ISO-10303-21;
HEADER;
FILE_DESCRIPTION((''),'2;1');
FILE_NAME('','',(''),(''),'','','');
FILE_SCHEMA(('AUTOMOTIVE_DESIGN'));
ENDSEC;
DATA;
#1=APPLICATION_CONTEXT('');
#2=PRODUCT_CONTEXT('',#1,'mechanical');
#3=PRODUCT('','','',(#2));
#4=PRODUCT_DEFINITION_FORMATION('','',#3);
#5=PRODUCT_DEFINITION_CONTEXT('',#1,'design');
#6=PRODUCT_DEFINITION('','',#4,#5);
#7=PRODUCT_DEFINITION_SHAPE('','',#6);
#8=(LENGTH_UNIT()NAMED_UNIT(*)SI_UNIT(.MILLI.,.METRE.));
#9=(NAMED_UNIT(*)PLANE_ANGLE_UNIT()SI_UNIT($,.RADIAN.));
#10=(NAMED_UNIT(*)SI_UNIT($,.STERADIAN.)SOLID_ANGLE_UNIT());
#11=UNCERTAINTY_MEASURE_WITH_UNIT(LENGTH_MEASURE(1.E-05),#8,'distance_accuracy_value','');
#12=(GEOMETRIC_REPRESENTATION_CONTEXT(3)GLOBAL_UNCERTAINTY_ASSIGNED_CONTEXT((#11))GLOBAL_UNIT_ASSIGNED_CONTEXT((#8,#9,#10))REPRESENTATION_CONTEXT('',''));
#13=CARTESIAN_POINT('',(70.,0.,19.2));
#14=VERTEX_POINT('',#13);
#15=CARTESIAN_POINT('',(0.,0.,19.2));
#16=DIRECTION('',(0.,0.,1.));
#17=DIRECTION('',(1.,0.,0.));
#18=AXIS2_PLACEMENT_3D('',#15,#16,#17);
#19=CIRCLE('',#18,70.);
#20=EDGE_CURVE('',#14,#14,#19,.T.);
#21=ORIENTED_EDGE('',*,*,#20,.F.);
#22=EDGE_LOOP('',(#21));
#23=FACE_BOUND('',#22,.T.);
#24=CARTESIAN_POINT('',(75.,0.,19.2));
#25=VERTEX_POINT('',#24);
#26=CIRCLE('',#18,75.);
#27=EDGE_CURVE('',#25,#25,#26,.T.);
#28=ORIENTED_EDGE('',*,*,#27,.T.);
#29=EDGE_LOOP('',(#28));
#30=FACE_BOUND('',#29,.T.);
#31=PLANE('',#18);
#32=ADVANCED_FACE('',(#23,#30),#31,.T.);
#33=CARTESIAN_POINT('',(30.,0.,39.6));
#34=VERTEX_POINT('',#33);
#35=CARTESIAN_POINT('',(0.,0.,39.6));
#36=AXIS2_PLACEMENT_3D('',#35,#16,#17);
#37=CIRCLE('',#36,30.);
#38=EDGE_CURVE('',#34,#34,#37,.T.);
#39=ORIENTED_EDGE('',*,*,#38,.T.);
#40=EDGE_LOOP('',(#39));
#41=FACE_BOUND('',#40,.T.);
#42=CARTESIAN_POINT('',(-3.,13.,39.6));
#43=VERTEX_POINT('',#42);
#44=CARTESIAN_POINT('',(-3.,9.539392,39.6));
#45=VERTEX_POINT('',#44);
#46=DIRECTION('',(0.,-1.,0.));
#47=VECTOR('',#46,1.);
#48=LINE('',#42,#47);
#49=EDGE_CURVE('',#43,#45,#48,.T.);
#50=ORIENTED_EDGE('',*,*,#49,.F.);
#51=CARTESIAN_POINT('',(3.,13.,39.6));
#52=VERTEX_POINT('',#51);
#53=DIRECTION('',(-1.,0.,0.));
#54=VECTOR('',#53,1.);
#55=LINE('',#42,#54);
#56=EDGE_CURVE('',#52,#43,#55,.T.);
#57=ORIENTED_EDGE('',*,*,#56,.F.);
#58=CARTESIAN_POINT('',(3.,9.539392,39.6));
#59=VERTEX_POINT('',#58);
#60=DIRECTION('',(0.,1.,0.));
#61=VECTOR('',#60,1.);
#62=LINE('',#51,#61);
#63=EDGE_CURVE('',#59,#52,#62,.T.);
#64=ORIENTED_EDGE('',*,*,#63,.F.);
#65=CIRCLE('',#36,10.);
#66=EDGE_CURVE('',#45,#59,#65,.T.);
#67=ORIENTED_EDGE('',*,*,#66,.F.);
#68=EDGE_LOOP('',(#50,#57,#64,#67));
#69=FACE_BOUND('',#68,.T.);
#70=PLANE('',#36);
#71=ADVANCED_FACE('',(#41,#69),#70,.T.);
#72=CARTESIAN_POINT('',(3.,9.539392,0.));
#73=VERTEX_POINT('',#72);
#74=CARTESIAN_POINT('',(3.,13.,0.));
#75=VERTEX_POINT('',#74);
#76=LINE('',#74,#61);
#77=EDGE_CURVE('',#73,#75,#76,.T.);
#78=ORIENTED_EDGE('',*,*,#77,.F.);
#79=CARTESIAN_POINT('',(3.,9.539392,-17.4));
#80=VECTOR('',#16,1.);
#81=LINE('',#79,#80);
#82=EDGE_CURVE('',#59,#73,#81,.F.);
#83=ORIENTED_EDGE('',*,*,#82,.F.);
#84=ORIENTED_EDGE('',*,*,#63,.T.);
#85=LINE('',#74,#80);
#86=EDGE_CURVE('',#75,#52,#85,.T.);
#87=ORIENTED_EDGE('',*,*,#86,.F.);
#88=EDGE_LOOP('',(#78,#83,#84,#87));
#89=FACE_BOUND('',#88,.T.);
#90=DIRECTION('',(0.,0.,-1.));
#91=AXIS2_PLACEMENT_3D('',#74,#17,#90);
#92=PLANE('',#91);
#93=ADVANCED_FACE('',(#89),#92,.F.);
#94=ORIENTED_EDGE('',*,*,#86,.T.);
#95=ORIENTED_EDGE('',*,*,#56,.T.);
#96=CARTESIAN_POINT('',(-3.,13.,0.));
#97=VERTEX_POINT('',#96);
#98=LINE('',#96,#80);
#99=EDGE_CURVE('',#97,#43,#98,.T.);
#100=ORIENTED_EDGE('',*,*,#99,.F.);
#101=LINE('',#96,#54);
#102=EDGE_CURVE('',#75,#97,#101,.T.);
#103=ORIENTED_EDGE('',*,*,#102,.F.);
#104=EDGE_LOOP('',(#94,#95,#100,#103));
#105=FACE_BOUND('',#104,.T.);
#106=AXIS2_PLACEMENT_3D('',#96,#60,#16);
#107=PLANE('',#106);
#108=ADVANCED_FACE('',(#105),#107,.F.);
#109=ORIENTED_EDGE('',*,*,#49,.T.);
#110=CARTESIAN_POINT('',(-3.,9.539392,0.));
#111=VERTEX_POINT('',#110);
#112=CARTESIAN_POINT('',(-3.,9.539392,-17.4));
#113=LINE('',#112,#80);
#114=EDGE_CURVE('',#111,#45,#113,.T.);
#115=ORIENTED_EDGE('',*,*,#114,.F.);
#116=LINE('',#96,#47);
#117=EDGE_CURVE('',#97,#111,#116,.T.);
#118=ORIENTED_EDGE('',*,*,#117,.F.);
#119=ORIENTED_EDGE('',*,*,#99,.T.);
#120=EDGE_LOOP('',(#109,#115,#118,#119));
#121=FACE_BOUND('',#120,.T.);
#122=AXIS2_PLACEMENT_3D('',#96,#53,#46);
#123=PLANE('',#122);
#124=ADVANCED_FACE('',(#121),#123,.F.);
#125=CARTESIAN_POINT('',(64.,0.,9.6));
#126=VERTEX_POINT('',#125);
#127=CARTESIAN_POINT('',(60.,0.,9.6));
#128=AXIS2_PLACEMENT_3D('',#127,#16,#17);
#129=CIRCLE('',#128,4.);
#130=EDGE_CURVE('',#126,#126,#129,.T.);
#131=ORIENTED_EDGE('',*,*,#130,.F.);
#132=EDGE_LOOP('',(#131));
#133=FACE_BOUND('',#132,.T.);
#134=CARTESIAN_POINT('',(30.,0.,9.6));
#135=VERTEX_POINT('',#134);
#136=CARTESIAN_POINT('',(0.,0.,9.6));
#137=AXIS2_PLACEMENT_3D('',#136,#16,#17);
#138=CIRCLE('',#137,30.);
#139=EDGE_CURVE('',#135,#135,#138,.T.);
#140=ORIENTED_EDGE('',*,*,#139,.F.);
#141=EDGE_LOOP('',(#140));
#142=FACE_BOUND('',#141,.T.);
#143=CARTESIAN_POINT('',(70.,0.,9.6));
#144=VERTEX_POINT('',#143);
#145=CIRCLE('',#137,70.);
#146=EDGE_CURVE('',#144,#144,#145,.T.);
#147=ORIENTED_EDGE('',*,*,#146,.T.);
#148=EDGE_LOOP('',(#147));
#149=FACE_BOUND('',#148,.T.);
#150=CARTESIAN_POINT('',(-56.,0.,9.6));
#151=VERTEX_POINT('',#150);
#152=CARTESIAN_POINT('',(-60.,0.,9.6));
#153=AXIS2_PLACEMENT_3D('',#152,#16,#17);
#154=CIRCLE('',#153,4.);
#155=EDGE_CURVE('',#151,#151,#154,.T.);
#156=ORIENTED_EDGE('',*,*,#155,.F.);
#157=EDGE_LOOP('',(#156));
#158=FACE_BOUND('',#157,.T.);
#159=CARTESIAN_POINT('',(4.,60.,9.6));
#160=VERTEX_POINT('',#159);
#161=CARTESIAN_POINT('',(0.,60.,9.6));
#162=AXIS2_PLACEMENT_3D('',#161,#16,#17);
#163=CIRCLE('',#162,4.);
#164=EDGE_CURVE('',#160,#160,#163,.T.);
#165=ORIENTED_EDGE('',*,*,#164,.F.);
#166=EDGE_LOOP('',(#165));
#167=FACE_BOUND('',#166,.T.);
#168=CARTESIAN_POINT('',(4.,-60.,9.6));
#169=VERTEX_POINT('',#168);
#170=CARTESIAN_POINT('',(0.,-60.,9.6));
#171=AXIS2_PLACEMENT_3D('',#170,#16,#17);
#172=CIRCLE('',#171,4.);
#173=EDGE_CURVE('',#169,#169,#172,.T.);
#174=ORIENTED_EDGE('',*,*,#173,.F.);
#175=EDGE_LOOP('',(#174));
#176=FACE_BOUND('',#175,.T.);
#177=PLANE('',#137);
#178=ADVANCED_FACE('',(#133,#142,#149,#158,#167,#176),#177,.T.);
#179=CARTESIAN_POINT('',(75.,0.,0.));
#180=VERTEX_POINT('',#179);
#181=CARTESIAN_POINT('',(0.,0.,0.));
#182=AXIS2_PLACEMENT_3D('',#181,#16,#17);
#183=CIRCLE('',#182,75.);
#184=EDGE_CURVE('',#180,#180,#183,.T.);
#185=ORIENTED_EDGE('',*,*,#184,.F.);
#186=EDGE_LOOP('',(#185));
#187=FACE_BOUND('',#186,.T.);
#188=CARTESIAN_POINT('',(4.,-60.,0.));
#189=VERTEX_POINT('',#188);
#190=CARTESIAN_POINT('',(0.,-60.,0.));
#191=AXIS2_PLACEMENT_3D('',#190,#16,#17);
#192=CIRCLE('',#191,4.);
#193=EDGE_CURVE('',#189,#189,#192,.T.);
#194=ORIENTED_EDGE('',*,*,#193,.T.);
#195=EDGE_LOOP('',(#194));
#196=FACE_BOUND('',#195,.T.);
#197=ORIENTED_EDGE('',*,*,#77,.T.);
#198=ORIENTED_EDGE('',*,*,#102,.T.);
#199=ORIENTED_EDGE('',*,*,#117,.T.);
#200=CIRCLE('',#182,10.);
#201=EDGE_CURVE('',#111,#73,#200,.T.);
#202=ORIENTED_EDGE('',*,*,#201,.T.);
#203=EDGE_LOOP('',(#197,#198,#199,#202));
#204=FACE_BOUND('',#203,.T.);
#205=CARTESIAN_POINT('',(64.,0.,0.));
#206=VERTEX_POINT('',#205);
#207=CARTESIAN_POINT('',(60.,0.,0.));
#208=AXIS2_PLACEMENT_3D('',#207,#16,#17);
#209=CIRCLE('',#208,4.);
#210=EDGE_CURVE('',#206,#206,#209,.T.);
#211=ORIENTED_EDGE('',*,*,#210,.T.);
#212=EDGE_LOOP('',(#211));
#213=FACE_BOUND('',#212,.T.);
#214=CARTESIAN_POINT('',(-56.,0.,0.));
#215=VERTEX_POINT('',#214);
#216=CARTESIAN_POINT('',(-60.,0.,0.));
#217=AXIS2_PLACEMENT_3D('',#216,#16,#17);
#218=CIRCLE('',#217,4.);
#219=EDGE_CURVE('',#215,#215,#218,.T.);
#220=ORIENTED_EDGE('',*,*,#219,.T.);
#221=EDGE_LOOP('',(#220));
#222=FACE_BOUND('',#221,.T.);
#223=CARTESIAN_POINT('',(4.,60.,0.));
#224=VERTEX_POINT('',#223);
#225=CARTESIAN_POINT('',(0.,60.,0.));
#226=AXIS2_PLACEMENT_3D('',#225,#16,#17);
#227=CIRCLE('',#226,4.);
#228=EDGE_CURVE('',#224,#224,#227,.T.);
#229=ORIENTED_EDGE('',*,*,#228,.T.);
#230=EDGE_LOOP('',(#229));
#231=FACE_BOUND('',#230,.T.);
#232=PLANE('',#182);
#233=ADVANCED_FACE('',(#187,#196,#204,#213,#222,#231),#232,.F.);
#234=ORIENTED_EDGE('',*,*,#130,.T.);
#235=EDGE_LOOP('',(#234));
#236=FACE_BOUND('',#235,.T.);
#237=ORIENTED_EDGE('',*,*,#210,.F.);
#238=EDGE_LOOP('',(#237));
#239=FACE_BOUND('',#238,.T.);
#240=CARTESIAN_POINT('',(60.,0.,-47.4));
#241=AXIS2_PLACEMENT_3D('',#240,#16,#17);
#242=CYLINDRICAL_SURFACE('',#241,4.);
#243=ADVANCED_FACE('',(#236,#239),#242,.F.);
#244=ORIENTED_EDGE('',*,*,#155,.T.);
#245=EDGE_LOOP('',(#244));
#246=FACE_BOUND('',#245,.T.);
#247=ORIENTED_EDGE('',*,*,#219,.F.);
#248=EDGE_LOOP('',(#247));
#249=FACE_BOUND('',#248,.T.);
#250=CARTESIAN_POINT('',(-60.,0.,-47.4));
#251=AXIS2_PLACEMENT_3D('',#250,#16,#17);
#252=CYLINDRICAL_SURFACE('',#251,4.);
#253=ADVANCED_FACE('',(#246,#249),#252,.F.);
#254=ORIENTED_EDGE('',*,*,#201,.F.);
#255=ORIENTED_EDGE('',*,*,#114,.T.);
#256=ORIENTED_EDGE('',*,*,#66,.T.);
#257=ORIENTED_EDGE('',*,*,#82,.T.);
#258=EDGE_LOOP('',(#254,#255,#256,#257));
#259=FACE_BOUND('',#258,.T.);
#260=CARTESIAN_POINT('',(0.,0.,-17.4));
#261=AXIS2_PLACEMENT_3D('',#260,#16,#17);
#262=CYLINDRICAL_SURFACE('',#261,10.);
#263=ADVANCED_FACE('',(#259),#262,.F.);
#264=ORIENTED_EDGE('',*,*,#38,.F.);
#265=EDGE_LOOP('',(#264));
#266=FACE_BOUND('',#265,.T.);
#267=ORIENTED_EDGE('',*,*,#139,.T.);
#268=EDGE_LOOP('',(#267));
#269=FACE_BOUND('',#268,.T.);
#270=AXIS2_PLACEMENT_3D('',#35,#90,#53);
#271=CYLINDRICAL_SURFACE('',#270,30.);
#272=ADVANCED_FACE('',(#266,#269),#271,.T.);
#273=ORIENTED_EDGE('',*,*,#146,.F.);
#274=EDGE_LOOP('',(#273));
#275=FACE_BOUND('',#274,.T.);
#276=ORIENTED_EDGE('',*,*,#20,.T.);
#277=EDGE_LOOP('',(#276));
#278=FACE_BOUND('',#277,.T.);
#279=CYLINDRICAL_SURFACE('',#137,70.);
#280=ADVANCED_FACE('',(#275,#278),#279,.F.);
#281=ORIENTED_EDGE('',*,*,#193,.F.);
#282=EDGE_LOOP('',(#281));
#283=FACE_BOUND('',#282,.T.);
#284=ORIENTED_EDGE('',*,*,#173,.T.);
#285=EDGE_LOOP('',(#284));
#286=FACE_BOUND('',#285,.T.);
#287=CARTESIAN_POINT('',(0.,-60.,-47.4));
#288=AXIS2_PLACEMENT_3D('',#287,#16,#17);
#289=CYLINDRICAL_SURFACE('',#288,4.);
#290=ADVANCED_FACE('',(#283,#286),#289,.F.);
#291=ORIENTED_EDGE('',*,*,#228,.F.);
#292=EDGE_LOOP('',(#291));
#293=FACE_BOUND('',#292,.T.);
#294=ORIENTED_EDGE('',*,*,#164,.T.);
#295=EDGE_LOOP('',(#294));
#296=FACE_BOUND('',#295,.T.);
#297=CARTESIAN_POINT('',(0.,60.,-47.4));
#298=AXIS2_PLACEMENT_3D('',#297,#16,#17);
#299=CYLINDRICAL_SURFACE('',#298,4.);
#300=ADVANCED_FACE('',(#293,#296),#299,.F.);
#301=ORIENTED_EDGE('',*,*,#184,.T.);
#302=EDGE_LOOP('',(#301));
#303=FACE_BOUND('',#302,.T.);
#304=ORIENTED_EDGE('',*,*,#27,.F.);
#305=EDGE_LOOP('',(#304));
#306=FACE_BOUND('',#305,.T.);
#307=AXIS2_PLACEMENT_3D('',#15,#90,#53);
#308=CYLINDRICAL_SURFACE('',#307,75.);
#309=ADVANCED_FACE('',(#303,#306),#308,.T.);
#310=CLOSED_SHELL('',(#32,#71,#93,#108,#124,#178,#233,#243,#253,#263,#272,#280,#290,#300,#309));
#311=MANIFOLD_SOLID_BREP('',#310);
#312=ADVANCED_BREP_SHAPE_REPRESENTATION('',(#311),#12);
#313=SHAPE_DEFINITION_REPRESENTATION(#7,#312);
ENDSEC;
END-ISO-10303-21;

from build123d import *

# Parameters (mm, degrees)
SKETCH1_R           = 75
BOSS_EXTRUDE3_DEPTH = 19.2
SKETCH3_R           = 70
CUT_EXTRUDE1_DEPTH  = 9.6
SKETCH4_R           = 30
BOSS_EXTRUDE4_DEPTH = 30
SKETCH5_R           = 10
CUT_EXTRUDE2_DEPTH  = 57
SKETCH6_R           = 4
CUT_EXTRUDE3_DEPTH  = 57
SKETCH7_W           = 6
SKETCH7_H           = 6
CUT_EXTRUDE4_DEPTH  = 114.217313164


with BuildPart() as part:
    # Sketch1 → Boss-Extrude3 (new body)
    with BuildSketch(Plane.XY):
        Circle(SKETCH1_R)
    extrude(amount=BOSS_EXTRUDE3_DEPTH)

    # Sketch3 → Cut-Extrude1 (cut)
    with BuildSketch(Plane.XY.offset(19.2)):
        Circle(SKETCH3_R)
    extrude(amount=-CUT_EXTRUDE1_DEPTH, mode=Mode.SUBTRACT)

    # Sketch4 → Boss-Extrude4 (add)
    with BuildSketch(Plane.XY.offset(9.6)):
        Circle(SKETCH4_R)
    extrude(amount=BOSS_EXTRUDE4_DEPTH)

    # Sketch5 → Cut-Extrude2 (cut)
    with BuildSketch(Plane.XY.offset(39.6)):
        Circle(SKETCH5_R)
    extrude(amount=-CUT_EXTRUDE2_DEPTH, mode=Mode.SUBTRACT)

    # Sketch6 → Cut-Extrude3 (cut)
    with BuildSketch(Plane.XY.offset(9.6)):
        with Locations((0, 60)):
            Circle(SKETCH6_R)
        with Locations((60, 0)):
            Circle(SKETCH6_R)
        with Locations((0, -60)):
            Circle(SKETCH6_R)
        with Locations((-60, 0)):
            Circle(SKETCH6_R)
    extrude(amount=-CUT_EXTRUDE3_DEPTH, mode=Mode.SUBTRACT)

    # Sketch7 → Cut-Extrude4 (cut, through all)
    with BuildSketch(Plane.XY.offset(39.6)):
        with Locations((0, 10)):
            Rectangle(SKETCH7_W, SKETCH7_H)
    extrude(amount=-CUT_EXTRUDE4_DEPTH, mode=Mode.SUBTRACT)


solid = part.part
